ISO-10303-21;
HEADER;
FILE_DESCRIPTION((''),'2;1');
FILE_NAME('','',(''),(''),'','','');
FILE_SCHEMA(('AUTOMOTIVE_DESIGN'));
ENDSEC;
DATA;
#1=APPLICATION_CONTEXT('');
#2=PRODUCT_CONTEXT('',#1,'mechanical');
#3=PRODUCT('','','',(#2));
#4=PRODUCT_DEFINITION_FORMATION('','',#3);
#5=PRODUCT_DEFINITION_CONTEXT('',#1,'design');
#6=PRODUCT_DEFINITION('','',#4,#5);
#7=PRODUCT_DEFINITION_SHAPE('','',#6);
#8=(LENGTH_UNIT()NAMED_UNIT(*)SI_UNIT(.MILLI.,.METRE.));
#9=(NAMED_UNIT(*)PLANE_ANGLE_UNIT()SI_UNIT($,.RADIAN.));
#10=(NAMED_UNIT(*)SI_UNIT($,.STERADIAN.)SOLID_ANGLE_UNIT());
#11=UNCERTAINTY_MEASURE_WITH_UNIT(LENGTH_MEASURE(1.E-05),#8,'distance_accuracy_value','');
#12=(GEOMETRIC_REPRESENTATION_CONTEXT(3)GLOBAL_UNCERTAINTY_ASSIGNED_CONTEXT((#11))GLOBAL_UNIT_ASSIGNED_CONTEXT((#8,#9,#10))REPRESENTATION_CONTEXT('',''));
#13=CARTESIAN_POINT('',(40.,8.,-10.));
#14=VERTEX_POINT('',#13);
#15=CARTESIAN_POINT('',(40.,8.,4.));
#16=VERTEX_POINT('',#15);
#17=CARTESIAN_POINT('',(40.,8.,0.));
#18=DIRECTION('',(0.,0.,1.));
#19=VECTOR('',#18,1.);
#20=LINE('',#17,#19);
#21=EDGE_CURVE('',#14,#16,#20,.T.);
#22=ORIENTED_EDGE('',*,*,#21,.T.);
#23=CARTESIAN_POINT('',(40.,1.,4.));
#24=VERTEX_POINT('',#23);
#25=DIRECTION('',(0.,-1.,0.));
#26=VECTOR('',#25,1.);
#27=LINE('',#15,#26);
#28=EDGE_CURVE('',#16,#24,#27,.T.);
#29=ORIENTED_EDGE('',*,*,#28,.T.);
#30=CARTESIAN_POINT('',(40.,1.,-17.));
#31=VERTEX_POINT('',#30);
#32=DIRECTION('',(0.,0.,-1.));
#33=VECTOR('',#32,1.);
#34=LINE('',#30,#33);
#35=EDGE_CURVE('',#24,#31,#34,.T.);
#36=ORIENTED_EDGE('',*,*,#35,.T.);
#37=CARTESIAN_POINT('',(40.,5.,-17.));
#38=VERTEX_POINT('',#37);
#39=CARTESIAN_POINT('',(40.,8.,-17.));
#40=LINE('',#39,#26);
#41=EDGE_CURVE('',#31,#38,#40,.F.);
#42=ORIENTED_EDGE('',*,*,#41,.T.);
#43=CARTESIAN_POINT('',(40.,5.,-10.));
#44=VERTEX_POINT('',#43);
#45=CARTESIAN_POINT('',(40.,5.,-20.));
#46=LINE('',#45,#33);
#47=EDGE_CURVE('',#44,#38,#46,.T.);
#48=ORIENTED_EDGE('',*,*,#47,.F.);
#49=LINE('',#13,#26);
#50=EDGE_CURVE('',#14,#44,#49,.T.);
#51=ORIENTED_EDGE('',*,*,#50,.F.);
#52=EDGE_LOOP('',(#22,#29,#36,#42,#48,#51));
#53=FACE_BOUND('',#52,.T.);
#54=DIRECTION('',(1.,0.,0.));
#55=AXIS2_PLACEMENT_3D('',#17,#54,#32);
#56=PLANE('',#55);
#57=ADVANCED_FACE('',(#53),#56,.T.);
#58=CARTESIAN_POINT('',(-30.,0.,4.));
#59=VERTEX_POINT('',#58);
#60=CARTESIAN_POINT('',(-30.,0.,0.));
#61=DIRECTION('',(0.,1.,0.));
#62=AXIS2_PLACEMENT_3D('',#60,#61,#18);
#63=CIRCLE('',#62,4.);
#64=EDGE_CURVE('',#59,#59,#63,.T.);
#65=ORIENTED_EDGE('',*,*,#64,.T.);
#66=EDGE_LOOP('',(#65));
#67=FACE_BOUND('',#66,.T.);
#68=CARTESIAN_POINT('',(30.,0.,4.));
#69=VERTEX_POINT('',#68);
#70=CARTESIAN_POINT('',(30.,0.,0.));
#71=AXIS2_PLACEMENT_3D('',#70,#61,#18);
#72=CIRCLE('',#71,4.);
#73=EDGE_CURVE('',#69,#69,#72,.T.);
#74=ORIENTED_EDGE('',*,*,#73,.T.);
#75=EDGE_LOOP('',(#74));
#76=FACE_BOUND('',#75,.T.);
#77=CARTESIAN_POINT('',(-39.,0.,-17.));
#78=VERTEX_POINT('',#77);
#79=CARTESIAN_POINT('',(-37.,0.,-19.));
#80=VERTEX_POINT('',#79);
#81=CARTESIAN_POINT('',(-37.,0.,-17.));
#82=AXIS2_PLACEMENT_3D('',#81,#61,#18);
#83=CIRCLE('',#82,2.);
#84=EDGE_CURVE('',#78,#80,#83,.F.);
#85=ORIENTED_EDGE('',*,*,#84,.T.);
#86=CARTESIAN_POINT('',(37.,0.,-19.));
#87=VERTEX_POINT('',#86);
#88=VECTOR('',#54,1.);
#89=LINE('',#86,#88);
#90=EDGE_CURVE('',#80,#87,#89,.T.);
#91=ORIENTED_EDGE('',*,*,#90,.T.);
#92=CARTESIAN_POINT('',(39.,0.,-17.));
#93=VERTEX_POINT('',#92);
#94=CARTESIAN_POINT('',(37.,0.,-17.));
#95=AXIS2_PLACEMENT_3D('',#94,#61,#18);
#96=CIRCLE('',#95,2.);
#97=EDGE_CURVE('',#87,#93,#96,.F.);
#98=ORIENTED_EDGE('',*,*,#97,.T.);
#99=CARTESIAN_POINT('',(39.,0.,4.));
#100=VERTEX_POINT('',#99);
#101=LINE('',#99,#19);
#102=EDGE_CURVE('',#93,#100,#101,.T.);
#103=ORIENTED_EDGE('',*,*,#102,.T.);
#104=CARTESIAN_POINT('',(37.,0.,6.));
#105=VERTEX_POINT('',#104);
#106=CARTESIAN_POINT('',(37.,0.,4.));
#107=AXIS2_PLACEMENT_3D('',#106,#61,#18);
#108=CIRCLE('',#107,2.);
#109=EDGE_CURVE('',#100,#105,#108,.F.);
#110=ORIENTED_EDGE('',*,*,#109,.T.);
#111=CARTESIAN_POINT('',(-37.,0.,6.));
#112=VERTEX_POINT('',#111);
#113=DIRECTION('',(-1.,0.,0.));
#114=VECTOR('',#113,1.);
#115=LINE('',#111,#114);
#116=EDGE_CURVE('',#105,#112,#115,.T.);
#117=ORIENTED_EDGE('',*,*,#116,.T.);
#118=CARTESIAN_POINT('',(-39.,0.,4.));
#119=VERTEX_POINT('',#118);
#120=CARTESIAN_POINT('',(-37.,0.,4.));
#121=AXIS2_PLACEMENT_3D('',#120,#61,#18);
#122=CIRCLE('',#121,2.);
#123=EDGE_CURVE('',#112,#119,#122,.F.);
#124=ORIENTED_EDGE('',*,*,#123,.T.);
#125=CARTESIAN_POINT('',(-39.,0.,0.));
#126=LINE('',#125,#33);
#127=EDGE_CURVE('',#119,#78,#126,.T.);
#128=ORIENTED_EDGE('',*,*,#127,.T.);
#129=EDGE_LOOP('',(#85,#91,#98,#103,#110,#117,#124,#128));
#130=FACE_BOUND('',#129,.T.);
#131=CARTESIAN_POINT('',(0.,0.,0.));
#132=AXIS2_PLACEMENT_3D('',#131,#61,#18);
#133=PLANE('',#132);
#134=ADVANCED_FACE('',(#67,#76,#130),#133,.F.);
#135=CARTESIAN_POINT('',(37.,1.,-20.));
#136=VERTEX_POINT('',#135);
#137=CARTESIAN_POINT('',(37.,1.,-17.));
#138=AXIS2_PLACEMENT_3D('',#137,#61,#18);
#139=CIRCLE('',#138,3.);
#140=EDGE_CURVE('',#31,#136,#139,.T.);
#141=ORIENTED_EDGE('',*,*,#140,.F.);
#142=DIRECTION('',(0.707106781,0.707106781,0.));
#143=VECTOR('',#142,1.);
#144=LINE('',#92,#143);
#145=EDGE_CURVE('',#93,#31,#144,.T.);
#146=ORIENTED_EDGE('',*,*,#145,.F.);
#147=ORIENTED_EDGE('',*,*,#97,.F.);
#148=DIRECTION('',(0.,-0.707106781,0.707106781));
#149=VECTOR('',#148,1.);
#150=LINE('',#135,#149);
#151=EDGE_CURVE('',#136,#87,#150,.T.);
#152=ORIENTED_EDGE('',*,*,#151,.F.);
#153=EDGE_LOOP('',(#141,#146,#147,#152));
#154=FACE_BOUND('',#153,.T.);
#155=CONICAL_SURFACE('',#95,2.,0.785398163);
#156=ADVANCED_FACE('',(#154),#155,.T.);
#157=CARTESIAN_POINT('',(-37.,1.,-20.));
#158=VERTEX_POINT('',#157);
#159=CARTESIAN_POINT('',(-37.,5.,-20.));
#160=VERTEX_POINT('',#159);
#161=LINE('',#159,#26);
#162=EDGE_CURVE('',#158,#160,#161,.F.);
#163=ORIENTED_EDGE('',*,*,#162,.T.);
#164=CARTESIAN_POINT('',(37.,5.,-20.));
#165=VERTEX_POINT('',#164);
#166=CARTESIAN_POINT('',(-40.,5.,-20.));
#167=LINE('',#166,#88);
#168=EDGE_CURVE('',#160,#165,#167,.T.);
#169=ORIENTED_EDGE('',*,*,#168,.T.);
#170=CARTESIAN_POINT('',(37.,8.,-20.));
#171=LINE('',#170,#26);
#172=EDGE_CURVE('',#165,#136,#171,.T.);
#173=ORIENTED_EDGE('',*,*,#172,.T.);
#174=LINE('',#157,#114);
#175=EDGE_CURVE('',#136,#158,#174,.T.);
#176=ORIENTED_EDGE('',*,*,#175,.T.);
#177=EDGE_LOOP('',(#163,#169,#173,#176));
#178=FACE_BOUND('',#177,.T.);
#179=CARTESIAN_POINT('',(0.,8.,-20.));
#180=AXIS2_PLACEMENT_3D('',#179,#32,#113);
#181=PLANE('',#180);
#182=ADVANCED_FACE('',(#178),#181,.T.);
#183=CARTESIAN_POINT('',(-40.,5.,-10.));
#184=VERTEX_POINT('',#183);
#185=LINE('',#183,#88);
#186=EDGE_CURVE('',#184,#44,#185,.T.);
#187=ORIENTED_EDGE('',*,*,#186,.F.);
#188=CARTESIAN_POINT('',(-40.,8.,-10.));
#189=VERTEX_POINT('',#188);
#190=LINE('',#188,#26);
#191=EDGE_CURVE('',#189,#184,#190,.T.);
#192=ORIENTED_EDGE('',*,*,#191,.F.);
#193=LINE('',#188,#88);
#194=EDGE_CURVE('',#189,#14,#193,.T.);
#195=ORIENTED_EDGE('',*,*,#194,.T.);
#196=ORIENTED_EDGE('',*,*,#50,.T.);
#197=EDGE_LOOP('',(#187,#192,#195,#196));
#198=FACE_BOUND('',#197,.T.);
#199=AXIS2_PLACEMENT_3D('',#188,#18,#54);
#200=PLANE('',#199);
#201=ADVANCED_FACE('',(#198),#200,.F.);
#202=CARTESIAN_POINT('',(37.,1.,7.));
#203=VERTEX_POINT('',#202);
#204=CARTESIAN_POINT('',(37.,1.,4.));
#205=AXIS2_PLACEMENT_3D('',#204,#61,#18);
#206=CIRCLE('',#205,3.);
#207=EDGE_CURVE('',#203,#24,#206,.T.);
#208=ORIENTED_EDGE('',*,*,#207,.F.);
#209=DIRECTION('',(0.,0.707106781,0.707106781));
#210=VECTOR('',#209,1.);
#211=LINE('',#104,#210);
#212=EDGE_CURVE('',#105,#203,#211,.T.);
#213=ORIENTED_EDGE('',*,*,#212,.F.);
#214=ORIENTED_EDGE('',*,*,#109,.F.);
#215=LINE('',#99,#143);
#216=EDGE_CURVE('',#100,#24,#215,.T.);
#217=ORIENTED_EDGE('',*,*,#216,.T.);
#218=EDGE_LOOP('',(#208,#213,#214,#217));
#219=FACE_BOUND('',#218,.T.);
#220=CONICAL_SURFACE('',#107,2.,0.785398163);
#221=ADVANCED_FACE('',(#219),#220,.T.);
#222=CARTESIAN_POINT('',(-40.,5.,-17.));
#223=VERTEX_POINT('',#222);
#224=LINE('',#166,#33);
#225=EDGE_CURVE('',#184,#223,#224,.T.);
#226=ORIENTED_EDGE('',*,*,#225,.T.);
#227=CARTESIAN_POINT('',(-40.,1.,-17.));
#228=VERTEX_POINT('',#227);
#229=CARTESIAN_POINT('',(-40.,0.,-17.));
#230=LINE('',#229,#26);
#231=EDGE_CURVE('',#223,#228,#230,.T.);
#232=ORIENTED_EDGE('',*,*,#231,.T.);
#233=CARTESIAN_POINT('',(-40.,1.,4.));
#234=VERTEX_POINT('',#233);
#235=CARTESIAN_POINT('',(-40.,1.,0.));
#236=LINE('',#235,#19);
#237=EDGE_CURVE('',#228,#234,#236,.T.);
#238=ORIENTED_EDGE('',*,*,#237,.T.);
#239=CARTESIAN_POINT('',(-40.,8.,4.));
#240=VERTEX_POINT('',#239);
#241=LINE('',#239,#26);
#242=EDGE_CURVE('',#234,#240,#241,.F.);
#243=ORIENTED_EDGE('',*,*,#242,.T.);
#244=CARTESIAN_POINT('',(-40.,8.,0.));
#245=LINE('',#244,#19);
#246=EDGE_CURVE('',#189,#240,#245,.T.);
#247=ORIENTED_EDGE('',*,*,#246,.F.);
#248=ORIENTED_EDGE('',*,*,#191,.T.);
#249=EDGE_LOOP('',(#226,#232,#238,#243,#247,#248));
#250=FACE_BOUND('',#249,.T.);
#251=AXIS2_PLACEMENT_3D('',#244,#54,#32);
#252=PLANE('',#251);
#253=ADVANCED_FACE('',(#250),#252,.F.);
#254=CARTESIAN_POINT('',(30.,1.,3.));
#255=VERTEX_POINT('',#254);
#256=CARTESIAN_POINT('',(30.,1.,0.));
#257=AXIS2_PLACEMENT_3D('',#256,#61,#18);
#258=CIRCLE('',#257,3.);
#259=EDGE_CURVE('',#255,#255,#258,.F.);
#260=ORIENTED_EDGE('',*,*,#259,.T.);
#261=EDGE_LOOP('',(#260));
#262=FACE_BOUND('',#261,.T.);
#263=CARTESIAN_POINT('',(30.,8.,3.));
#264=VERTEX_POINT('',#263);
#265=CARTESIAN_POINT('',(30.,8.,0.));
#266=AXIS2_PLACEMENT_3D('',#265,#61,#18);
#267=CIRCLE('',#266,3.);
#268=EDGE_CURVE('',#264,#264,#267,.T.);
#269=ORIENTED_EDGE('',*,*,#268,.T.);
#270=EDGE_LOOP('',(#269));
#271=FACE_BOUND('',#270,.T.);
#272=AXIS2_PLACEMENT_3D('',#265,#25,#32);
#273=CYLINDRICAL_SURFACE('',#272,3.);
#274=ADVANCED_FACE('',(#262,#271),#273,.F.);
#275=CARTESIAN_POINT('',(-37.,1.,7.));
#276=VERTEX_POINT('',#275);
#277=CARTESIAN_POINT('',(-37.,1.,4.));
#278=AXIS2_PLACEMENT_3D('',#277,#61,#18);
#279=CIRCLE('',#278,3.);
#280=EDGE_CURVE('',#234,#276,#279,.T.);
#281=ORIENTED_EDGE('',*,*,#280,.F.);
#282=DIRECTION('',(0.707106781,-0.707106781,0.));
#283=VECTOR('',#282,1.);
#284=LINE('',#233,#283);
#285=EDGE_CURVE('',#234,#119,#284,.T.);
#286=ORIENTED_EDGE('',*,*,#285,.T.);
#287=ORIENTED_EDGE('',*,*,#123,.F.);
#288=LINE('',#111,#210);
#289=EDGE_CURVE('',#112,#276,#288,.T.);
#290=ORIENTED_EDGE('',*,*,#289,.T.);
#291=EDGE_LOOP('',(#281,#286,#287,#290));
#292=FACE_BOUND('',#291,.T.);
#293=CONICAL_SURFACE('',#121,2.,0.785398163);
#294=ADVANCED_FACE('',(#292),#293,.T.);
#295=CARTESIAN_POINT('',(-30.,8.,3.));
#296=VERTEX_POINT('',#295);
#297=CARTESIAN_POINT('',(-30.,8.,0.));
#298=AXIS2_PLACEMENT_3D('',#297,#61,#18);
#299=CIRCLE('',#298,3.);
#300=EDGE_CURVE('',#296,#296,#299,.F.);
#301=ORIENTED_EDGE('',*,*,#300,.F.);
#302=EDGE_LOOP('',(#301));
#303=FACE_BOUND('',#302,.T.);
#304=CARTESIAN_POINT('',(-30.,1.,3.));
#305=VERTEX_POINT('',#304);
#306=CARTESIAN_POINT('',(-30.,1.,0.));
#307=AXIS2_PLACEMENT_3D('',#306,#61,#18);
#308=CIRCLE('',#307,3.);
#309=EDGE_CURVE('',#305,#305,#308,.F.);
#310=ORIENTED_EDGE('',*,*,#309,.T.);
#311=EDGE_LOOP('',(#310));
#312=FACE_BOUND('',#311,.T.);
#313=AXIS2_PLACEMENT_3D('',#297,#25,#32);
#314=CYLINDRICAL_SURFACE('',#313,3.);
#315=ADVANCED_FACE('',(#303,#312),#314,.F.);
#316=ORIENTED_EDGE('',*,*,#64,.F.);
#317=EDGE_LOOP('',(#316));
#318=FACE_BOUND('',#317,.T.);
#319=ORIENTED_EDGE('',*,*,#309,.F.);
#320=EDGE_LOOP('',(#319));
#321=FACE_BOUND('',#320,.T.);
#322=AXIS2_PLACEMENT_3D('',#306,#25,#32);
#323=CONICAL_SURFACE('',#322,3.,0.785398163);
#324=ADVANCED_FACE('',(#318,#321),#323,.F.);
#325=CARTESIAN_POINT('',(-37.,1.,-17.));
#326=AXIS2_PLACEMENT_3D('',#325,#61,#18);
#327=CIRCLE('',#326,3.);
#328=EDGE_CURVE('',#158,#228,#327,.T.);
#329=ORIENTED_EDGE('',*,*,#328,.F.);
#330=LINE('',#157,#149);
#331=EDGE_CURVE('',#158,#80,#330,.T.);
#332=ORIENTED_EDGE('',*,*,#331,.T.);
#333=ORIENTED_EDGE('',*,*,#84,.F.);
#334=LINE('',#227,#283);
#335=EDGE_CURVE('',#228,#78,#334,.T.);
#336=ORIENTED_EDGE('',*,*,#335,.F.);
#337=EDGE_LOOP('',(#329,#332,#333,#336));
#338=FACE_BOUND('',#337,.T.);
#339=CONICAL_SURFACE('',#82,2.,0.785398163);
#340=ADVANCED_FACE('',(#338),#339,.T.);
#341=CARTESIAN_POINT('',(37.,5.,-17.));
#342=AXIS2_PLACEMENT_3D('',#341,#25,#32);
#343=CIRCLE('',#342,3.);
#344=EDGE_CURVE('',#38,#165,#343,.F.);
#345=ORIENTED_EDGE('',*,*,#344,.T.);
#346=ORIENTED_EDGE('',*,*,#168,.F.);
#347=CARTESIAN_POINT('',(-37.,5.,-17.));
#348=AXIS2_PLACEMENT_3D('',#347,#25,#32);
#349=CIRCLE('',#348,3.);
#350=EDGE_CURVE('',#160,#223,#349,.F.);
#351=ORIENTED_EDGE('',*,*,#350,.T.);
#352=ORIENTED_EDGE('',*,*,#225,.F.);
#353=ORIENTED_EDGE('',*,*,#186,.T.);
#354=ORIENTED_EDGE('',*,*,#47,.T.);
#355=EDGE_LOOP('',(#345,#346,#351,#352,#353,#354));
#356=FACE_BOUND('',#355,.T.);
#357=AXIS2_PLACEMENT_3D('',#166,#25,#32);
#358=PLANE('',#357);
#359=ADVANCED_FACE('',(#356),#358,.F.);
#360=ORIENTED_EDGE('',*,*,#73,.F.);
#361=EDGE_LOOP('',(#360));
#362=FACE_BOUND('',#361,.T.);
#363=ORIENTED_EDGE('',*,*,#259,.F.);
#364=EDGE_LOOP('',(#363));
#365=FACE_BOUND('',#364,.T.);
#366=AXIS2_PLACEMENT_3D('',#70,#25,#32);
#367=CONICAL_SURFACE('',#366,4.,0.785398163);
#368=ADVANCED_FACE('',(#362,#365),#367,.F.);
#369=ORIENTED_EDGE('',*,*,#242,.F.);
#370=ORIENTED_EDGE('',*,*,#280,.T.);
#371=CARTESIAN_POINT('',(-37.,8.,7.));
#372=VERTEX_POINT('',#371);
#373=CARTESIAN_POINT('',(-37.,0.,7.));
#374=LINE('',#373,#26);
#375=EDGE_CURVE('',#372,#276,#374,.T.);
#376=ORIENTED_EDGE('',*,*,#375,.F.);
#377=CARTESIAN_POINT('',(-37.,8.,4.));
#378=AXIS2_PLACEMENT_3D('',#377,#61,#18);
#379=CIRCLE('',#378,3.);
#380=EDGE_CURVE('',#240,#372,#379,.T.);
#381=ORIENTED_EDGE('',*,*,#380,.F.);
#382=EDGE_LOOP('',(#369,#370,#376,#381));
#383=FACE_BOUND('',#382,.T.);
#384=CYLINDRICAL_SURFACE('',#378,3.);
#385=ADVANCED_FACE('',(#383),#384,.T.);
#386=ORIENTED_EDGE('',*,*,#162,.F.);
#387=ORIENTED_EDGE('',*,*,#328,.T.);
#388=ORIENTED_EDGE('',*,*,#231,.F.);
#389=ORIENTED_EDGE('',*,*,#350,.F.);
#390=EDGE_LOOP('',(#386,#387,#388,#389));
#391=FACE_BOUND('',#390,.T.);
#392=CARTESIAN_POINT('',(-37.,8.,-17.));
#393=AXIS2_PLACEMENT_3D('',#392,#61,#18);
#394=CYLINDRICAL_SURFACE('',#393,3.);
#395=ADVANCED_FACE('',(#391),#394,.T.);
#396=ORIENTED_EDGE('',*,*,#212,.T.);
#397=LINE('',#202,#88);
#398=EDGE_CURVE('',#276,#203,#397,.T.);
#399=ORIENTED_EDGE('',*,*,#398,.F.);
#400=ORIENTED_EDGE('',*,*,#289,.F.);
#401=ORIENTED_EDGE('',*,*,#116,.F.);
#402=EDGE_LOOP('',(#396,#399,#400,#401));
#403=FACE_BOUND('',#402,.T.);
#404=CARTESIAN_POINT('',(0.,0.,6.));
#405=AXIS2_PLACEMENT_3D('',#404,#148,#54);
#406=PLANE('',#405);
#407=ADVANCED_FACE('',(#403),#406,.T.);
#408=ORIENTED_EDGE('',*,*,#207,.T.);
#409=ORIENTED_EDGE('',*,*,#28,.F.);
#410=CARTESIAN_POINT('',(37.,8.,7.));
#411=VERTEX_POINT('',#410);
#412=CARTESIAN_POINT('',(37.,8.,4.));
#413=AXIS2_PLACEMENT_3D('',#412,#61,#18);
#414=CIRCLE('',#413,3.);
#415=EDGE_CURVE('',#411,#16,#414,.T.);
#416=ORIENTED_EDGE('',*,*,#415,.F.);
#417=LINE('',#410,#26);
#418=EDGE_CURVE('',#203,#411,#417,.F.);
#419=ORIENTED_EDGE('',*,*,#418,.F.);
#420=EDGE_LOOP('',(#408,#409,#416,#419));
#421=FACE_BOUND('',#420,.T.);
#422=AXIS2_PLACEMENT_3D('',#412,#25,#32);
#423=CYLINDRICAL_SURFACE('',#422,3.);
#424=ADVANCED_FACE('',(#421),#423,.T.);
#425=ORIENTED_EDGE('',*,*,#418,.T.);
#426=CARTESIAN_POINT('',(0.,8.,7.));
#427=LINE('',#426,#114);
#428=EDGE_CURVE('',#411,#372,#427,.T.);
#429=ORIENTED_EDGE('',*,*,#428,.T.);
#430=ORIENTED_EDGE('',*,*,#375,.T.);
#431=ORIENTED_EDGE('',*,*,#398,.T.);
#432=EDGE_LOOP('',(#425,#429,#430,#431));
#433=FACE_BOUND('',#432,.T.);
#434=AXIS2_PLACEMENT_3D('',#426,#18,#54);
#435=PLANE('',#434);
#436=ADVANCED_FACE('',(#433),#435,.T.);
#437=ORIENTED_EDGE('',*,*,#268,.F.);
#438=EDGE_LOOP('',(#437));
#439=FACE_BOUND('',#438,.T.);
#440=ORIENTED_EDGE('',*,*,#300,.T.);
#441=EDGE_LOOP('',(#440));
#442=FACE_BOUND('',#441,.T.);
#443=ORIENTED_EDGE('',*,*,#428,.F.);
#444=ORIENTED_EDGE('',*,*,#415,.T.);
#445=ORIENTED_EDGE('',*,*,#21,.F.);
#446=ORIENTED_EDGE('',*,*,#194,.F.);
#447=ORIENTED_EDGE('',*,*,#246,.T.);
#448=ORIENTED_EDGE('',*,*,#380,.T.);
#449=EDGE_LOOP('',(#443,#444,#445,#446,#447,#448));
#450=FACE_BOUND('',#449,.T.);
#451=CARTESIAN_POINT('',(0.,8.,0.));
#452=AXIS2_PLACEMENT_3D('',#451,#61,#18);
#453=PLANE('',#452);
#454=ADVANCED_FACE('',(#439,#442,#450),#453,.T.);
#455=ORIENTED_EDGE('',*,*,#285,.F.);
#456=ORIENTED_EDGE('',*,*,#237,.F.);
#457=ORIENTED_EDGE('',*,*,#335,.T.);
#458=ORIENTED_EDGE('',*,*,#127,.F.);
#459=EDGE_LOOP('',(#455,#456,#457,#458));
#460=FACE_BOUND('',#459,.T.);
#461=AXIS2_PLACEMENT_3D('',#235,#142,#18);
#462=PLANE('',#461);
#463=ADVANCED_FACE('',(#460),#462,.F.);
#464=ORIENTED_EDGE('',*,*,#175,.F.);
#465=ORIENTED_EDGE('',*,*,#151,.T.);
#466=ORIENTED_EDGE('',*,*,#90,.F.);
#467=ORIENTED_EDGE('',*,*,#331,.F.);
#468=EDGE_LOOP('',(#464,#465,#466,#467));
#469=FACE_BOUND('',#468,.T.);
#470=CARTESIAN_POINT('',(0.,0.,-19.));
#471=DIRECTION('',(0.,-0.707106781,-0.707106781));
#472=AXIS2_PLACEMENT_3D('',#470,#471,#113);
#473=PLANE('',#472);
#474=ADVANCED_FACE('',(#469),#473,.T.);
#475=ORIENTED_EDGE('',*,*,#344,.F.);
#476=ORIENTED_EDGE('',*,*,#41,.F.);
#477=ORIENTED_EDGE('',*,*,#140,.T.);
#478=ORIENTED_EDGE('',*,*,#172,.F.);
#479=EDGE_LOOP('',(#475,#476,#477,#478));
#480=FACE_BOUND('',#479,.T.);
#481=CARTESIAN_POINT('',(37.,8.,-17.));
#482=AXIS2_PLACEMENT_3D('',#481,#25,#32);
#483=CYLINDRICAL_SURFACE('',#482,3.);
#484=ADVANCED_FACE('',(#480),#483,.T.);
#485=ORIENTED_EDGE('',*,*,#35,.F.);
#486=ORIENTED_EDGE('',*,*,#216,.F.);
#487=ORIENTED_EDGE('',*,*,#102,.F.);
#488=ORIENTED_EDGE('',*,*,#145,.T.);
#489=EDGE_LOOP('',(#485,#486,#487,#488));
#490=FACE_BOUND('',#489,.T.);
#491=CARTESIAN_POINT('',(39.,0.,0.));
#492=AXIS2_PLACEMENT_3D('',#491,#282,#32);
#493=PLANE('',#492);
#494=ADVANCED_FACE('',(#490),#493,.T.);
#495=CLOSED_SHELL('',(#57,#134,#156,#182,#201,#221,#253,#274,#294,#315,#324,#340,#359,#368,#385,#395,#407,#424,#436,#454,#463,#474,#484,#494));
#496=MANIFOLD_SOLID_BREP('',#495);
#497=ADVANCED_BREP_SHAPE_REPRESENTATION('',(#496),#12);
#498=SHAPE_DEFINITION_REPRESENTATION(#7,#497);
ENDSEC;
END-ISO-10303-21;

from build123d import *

# Parameters (mm, degrees)
SKETCH1_R           = 3
BOSS_EXTRUDE1_DEPTH = 8
SKETCH2_W           = 10
SKETCH2_H           = 3
CUT_EXTRUDE1_DEPTH  = 83.849260709
FILLET1_R           = 3
CHAMFER1_SIZE       = 1


with BuildPart() as part:
    # Sketch1 → Boss-Extrude1 (new body)
    with BuildSketch(Plane(origin=(0, 0, 0), x_dir=(1, 0, 0), z_dir=(0, 1, 0))):
        Polygon((-40, 20), (40, 20), (40, -7), (30, -7), (-40, -7), align=None)
        with Locations(Location((30, 0, 0), (0, 0, 270))):
            Circle(SKETCH1_R, mode=Mode.SUBTRACT)
        with Locations(Location((-30, 0, 0), (0, 0, 270))):
            Circle(SKETCH1_R, mode=Mode.SUBTRACT)
    extrude(amount=BOSS_EXTRUDE1_DEPTH)

    # Sketch2 → Cut-Extrude1 (cut, through all)
    with BuildSketch(Plane(origin=(40, 0, 0), x_dir=(0, 0, -1), z_dir=(1, 0, 0))):
        with Locations((15, 6.5)):
            Rectangle(SKETCH2_W, SKETCH2_H)
    extrude(amount=-CUT_EXTRUDE1_DEPTH, mode=Mode.SUBTRACT)

    # Fillet1
    fillet1_edges = [part.edges().sort_by_distance(p)[0] for p in [
        (-40, 4, 7),
        (40, 4, 7),
        (-40, 2.5, -20),
        (40, 2.5, -20),
    ]]
    fillet(fillet1_edges, radius=FILLET1_R)

    # Chamfer1
    chamfer1_edges = [part.edges().sort_by_distance(p)[0] for p in [
        (-40, 0, -6.5),
        (0, 0, 7),
        (0, 0, -20),
        (40, 0, -6.5),
        (39.121320344, 0, -19.121320344),
        (39.121320344, 0, 6.121320344),
        (-39.121320344, 0, 6.121320344),
        (-39.121320344, 0, -19.121320344),
        (-30, 0, -3),
        (30, 0, -3),
    ]]
    chamfer(chamfer1_edges, length=CHAMFER1_SIZE)


solid = part.part
